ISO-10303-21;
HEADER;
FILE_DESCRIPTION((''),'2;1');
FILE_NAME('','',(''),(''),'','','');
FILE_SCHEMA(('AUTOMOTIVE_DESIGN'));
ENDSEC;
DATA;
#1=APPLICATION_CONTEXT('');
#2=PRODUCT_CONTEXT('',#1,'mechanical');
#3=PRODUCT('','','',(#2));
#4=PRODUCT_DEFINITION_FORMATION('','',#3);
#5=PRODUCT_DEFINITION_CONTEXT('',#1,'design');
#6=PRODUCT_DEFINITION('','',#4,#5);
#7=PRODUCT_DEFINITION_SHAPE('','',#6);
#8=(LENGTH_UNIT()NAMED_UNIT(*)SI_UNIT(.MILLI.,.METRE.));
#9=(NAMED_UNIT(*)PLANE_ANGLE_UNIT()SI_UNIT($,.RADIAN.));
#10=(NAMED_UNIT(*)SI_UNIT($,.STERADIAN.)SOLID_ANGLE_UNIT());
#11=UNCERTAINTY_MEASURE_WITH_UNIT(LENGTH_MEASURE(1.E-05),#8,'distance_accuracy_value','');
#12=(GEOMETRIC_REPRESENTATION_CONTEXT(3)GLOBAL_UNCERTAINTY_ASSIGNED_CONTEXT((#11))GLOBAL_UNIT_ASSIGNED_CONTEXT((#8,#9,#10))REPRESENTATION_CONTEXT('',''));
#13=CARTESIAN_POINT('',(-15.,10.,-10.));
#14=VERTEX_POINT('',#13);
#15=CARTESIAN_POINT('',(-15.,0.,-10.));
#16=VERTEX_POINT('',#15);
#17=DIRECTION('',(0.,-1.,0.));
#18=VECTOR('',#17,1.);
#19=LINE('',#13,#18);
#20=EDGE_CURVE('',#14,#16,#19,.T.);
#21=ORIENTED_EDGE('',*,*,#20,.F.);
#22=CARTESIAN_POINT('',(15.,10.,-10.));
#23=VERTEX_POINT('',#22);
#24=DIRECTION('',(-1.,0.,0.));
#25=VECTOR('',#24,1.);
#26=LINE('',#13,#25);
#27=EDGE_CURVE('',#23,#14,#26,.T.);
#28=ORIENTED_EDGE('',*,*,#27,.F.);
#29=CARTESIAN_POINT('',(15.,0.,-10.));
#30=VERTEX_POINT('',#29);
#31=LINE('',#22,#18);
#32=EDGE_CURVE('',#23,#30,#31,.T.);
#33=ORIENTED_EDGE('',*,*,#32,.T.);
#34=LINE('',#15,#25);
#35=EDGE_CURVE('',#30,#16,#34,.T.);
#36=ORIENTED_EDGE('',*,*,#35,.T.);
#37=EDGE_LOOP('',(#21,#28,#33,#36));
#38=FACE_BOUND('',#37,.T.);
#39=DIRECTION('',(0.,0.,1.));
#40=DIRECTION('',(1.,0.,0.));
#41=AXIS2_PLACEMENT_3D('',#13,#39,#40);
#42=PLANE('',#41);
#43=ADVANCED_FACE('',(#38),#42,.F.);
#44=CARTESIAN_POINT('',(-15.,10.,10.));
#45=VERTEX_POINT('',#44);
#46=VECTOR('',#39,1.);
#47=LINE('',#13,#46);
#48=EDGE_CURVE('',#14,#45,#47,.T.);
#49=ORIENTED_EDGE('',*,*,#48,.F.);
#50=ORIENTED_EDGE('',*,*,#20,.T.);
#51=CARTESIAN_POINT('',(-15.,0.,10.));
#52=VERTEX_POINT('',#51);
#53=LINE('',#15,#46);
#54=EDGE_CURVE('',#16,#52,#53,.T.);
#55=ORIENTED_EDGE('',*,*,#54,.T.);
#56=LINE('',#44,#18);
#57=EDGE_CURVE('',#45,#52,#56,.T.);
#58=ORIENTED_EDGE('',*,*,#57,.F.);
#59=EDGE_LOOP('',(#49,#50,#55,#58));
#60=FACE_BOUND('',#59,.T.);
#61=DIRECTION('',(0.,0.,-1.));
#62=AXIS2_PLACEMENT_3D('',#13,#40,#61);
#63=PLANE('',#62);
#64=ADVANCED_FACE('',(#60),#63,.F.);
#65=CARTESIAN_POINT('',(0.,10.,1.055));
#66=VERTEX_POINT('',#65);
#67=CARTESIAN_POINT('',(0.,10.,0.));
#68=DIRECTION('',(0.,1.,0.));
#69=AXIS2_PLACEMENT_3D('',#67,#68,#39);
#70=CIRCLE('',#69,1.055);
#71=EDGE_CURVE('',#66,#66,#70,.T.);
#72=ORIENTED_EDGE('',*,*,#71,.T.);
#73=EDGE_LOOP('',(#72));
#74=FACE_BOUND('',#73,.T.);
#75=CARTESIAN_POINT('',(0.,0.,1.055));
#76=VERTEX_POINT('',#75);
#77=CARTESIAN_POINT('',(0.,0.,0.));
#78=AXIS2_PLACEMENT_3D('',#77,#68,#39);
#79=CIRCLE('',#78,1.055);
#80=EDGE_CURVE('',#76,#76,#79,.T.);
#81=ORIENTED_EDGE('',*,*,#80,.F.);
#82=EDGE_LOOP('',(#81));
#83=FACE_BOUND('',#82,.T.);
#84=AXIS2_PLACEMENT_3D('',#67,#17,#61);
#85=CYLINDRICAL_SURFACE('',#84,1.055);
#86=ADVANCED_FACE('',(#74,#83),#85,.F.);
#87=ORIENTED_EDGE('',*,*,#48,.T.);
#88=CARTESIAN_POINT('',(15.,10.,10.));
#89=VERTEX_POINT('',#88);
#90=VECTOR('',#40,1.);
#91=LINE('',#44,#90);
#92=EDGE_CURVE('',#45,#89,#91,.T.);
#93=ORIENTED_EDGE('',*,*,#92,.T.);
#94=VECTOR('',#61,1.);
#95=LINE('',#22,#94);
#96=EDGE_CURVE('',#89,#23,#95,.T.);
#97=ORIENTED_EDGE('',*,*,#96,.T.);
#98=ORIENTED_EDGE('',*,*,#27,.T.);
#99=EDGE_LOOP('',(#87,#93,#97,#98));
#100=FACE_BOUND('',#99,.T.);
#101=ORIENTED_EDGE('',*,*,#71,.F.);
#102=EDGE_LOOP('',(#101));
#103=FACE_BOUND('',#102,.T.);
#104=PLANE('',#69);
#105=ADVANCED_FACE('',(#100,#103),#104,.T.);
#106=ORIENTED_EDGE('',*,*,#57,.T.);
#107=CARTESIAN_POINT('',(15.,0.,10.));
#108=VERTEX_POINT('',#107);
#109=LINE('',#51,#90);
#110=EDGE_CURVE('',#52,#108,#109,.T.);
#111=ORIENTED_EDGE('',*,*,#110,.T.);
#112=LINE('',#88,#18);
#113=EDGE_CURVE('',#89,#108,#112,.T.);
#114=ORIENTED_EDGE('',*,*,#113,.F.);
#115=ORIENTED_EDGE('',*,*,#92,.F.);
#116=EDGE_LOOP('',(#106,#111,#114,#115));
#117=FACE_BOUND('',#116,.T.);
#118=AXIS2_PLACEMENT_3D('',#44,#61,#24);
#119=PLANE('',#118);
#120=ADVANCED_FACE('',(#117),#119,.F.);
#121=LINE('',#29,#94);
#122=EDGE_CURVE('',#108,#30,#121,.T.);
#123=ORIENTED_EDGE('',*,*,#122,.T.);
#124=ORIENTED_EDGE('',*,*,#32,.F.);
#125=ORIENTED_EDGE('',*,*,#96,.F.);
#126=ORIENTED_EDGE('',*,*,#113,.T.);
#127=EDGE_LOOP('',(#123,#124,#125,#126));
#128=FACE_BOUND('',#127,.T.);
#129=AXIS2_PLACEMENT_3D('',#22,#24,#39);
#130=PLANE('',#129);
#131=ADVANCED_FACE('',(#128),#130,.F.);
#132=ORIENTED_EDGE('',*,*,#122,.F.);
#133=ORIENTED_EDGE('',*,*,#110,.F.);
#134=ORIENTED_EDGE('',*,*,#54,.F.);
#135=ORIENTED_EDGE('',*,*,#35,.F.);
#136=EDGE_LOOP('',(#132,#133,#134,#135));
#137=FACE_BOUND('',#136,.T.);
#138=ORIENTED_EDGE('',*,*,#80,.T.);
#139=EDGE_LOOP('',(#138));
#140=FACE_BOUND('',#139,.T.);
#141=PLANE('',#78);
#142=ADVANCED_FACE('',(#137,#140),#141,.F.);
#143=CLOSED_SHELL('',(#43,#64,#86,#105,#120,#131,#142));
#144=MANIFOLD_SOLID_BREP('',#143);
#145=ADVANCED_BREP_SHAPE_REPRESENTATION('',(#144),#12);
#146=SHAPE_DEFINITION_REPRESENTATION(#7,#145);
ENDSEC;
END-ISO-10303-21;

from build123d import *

# Parameters (mm, degrees)
SKETCH1_W           = 30
SKETCH1_H           = 20
SKETCH1_R           = 1.055
BOSS_EXTRUDE1_DEPTH = 10


with BuildPart() as part:
    # Sketch1 → Boss-Extrude1 (new body)
    with BuildSketch(Plane(origin=(0, 0, 0), x_dir=(1, 0, 0), z_dir=(0, 1, 0))):
        Rectangle(SKETCH1_W, SKETCH1_H)
        with Locations(Location((0, 0, 0), (0, 0, 270))):
            Circle(SKETCH1_R, mode=Mode.SUBTRACT)
    extrude(amount=BOSS_EXTRUDE1_DEPTH)


solid = part.part
